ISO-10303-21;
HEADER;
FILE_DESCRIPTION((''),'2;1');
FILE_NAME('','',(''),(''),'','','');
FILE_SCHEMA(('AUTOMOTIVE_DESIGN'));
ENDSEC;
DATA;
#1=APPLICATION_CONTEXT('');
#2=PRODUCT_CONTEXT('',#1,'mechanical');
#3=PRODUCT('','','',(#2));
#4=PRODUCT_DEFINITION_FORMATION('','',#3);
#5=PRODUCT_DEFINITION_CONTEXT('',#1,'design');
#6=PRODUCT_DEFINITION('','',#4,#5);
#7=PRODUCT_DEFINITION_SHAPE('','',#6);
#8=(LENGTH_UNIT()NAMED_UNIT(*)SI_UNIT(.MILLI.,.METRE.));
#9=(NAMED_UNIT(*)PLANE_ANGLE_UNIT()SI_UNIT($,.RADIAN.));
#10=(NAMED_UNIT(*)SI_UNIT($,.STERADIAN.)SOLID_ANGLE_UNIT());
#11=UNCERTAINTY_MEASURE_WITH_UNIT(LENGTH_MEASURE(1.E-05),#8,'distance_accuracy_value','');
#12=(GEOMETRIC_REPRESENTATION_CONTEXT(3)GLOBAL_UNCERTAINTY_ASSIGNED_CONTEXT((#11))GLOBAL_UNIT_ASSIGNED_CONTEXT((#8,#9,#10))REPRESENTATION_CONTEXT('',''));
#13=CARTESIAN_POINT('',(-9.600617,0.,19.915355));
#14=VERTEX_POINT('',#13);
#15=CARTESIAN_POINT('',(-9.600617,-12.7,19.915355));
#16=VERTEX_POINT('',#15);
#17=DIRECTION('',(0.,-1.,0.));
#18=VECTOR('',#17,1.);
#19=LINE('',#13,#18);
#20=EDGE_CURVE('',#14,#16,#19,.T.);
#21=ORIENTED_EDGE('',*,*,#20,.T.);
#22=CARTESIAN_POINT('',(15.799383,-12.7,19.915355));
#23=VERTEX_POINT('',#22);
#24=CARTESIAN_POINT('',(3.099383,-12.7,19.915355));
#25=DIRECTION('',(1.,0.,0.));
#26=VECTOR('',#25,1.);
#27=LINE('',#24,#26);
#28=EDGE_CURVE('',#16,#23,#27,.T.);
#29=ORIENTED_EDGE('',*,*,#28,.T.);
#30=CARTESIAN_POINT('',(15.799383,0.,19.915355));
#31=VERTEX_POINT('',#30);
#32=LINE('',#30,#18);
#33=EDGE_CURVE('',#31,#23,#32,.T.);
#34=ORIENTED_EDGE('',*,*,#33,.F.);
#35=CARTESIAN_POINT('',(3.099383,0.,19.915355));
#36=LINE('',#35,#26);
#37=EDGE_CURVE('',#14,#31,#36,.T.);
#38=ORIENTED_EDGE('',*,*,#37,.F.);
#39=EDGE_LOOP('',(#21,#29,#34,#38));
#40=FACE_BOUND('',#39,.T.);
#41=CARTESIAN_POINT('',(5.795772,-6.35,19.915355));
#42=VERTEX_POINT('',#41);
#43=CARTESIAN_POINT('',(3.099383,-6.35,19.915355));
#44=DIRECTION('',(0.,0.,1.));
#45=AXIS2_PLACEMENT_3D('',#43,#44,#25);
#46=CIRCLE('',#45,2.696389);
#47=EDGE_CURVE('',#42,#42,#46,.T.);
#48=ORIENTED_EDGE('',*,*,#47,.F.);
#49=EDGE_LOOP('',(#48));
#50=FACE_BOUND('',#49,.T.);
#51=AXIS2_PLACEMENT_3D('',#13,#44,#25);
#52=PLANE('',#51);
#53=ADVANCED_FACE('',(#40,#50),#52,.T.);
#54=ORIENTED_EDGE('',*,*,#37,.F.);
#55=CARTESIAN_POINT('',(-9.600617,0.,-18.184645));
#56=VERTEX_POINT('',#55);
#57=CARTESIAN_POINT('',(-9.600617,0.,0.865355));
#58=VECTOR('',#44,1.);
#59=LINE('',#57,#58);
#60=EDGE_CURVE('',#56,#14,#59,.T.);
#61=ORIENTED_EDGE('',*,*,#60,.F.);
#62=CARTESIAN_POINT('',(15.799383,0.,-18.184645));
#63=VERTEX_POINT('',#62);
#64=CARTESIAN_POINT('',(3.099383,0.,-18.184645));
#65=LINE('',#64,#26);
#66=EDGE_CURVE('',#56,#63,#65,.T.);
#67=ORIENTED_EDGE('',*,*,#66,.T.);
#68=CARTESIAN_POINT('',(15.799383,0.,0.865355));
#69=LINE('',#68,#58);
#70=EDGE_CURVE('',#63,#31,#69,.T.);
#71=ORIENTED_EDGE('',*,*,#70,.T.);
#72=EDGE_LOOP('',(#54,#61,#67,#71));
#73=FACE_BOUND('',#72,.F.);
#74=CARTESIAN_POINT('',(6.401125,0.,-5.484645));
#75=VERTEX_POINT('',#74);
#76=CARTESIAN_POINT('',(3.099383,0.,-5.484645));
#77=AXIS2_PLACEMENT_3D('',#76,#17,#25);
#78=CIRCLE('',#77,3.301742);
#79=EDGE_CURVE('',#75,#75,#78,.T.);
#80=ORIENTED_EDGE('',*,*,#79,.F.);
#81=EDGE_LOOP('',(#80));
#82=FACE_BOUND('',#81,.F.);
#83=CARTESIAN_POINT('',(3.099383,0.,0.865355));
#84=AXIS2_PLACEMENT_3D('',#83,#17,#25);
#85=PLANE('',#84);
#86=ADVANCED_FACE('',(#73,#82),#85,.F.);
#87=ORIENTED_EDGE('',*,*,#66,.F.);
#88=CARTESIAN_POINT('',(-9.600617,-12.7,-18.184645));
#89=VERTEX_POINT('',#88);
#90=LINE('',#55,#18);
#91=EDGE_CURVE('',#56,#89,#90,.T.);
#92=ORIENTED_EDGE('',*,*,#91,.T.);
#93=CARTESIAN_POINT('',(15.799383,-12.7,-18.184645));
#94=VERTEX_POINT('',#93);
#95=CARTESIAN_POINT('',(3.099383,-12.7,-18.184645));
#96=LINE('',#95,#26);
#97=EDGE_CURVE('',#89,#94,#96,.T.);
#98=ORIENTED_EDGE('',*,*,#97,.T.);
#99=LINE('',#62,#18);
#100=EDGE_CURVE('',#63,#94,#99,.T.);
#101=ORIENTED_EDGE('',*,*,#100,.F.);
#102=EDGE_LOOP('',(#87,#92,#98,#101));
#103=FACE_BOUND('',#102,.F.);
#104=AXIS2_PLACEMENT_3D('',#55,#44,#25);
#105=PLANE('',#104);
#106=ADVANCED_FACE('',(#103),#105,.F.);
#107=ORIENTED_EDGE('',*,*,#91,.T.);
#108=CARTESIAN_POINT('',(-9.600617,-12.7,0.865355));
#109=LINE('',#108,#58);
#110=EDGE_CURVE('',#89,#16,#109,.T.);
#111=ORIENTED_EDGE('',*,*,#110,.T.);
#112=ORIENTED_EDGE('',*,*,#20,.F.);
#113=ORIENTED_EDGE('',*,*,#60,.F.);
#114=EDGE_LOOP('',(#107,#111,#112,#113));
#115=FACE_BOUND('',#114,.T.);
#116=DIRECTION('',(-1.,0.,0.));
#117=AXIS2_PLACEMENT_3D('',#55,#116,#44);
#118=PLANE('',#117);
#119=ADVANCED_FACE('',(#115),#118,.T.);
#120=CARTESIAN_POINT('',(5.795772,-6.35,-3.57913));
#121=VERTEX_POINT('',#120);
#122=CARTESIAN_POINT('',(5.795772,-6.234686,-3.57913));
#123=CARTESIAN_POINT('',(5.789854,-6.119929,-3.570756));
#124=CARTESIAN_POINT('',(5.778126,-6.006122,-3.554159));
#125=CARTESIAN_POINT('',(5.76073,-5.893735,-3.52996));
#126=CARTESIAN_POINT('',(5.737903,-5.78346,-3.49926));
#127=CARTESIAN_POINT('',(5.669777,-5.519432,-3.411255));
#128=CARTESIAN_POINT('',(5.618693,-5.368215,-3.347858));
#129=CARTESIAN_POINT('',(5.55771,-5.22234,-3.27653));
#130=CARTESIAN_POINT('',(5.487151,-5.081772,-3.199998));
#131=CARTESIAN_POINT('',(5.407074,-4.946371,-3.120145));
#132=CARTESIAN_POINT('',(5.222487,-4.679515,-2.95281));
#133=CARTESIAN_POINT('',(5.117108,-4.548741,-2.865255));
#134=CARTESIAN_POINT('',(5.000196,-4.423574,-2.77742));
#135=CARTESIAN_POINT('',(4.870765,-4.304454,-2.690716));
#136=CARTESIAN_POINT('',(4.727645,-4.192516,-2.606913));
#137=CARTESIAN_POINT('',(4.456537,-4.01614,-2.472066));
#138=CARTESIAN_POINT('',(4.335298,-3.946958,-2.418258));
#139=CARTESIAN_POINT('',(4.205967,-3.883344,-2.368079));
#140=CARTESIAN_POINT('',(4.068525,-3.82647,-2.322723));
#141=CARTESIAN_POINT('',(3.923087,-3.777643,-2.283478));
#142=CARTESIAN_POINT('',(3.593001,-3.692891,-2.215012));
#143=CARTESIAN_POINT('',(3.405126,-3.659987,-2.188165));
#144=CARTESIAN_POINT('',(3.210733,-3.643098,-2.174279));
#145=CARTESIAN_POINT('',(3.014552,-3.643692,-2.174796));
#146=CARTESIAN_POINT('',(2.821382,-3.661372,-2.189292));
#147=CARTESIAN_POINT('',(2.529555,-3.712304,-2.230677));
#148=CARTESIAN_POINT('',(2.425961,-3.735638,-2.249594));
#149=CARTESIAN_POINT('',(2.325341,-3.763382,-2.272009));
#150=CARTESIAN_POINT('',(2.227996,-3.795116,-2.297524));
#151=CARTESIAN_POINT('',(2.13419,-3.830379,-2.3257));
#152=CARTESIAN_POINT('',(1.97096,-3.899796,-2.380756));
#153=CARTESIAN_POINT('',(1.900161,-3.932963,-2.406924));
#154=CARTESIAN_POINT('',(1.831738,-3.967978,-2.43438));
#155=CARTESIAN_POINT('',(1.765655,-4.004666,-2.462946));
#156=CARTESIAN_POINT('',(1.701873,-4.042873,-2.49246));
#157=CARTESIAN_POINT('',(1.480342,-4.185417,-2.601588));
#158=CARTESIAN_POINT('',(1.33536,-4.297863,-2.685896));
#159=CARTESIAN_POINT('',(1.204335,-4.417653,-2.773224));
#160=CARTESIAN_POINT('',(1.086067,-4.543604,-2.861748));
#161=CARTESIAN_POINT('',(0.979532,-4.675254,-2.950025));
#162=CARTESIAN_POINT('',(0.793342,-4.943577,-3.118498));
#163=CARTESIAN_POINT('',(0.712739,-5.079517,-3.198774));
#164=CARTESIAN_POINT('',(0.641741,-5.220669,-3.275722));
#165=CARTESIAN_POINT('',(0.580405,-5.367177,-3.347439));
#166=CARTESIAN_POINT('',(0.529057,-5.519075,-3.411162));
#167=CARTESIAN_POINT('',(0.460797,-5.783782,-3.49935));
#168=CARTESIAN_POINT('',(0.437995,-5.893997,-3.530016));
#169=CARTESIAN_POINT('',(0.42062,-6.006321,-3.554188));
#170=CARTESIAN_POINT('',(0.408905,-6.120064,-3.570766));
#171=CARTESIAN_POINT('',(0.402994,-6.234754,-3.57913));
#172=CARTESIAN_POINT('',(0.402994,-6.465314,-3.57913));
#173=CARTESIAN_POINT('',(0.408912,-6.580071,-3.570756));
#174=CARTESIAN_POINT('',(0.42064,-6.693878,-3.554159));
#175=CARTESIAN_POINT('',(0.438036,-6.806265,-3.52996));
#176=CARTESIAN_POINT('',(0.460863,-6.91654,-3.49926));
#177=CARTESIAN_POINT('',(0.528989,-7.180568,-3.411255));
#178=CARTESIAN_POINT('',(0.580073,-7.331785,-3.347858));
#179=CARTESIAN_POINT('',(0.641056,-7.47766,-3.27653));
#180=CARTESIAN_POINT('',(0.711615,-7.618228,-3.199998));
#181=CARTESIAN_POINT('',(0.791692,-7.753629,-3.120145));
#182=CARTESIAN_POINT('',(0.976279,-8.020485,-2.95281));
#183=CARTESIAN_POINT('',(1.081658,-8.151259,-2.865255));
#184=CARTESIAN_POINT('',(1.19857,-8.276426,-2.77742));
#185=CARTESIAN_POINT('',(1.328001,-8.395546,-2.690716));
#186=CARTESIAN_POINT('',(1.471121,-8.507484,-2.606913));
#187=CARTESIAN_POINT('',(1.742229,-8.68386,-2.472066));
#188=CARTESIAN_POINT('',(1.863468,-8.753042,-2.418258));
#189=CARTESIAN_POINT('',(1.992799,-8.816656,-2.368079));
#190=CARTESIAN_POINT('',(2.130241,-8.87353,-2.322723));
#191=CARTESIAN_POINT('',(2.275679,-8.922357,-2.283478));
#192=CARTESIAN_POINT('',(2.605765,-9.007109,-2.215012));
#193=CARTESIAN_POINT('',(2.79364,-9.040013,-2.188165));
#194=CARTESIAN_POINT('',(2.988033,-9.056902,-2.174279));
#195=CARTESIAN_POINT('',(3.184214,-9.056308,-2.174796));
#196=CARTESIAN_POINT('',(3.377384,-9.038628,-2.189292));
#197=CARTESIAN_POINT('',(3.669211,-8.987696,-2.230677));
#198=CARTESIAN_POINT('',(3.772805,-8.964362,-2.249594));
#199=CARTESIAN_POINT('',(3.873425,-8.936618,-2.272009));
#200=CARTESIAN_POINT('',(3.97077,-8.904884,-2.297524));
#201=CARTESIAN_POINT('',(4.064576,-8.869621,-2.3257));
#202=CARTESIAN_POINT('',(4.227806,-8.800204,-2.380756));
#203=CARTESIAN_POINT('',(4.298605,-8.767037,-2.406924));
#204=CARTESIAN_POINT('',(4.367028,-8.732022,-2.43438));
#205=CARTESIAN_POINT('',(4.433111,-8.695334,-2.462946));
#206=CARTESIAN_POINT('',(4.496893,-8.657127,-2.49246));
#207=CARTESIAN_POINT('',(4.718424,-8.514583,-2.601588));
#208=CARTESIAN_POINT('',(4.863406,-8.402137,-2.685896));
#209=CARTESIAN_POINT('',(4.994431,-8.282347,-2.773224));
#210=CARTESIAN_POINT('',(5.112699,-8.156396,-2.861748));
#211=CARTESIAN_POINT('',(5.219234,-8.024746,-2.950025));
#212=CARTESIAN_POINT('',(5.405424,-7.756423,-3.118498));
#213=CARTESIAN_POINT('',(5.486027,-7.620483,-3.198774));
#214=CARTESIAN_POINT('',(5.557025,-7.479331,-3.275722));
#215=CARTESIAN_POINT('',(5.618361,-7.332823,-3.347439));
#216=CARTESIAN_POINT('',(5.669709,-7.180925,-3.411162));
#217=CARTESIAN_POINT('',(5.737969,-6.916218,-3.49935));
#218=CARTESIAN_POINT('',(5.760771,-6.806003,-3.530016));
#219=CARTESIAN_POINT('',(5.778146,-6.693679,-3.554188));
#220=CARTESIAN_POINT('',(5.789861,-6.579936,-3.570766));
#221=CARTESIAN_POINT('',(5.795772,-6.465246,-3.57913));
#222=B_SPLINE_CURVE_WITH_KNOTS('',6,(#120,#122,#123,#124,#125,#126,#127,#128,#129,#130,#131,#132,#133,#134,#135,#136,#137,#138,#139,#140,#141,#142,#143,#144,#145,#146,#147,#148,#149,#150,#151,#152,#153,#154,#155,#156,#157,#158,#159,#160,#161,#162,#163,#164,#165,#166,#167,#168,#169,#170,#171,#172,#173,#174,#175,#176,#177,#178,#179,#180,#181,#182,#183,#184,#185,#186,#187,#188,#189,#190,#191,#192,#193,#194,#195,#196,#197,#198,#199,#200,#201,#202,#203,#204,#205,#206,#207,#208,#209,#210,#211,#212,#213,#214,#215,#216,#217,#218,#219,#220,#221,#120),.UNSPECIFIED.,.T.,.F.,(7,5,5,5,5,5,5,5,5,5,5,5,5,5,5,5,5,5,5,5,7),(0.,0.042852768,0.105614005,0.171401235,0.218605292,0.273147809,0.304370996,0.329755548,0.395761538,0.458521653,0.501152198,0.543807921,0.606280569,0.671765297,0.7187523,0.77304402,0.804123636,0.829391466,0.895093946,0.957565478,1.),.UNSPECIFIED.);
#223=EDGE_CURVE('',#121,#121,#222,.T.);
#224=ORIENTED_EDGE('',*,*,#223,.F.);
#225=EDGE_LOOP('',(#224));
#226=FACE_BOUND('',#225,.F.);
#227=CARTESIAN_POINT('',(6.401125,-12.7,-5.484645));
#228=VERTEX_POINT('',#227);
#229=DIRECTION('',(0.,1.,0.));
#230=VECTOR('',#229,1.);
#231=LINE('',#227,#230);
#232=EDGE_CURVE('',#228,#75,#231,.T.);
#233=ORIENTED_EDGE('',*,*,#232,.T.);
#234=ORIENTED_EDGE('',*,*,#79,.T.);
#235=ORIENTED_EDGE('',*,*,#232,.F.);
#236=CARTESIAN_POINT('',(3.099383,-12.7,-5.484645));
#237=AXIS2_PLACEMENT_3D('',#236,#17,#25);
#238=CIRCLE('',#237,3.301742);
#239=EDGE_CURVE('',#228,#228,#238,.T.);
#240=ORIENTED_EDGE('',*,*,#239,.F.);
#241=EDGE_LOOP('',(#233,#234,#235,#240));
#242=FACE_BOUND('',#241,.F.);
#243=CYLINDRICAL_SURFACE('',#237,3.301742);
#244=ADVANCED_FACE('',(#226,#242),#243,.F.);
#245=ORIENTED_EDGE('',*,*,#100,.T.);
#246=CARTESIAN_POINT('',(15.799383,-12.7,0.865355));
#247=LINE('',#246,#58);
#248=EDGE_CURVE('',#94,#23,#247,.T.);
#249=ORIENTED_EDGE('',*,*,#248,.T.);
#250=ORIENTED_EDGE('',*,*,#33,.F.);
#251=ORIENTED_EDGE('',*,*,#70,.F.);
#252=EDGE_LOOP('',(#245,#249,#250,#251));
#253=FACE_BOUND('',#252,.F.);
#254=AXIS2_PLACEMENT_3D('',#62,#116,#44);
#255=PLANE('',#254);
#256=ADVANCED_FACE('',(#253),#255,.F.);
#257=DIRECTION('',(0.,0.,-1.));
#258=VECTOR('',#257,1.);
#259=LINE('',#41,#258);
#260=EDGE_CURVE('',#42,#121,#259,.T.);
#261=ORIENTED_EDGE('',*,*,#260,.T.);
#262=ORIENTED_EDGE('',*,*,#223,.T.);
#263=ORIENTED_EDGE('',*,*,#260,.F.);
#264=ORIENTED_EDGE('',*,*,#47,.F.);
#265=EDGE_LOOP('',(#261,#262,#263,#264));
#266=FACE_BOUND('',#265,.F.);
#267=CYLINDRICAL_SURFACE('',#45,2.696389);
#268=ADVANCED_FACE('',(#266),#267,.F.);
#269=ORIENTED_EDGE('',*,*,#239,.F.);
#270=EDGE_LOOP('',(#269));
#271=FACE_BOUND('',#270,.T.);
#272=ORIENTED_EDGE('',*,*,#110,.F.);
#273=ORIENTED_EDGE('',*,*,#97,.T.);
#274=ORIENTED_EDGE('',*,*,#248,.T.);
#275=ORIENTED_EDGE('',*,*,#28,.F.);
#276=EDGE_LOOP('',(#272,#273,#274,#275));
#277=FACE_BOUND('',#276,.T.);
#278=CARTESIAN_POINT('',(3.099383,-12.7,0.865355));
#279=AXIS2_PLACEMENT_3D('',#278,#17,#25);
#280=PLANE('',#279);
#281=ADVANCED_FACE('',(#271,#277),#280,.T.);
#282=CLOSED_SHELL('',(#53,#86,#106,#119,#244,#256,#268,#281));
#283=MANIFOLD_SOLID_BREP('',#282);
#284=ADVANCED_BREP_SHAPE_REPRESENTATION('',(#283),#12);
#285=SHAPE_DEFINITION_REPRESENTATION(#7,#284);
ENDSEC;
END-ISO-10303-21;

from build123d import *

# Parameters (mm, degrees)
F0_W     = 25.4
F0_H     = 38.1
F1_DEPTH = 12.7
F2_R     = 3.301742
F3_DEPTH = 25.4
F4_R     = 2.696389
F5_DEPTH = 25.4


with BuildPart() as f1:
    # F0 (on Front) → F1 (new body)
    with BuildSketch(Plane.XZ):
        with Locations((3.099383, 0.865355)):
            Rectangle(F0_W, F0_H)
    extrude(amount=F1_DEPTH)

    # F2 (on face) → F3 (cut)
    with BuildSketch(Plane.XZ.offset(12.7)):
        with Locations((3.099383, -5.484645)):
            Circle(F2_R)
    extrude(amount=-F3_DEPTH, mode=Mode.SUBTRACT)

    # F4 (on face) → F5 (cut)
    with BuildSketch(Plane.XY.offset(19.915355)):
        with Locations((3.099383, -6.35)):
            Circle(F4_R)
    extrude(amount=-F5_DEPTH, mode=Mode.SUBTRACT)


solid = f1.part
